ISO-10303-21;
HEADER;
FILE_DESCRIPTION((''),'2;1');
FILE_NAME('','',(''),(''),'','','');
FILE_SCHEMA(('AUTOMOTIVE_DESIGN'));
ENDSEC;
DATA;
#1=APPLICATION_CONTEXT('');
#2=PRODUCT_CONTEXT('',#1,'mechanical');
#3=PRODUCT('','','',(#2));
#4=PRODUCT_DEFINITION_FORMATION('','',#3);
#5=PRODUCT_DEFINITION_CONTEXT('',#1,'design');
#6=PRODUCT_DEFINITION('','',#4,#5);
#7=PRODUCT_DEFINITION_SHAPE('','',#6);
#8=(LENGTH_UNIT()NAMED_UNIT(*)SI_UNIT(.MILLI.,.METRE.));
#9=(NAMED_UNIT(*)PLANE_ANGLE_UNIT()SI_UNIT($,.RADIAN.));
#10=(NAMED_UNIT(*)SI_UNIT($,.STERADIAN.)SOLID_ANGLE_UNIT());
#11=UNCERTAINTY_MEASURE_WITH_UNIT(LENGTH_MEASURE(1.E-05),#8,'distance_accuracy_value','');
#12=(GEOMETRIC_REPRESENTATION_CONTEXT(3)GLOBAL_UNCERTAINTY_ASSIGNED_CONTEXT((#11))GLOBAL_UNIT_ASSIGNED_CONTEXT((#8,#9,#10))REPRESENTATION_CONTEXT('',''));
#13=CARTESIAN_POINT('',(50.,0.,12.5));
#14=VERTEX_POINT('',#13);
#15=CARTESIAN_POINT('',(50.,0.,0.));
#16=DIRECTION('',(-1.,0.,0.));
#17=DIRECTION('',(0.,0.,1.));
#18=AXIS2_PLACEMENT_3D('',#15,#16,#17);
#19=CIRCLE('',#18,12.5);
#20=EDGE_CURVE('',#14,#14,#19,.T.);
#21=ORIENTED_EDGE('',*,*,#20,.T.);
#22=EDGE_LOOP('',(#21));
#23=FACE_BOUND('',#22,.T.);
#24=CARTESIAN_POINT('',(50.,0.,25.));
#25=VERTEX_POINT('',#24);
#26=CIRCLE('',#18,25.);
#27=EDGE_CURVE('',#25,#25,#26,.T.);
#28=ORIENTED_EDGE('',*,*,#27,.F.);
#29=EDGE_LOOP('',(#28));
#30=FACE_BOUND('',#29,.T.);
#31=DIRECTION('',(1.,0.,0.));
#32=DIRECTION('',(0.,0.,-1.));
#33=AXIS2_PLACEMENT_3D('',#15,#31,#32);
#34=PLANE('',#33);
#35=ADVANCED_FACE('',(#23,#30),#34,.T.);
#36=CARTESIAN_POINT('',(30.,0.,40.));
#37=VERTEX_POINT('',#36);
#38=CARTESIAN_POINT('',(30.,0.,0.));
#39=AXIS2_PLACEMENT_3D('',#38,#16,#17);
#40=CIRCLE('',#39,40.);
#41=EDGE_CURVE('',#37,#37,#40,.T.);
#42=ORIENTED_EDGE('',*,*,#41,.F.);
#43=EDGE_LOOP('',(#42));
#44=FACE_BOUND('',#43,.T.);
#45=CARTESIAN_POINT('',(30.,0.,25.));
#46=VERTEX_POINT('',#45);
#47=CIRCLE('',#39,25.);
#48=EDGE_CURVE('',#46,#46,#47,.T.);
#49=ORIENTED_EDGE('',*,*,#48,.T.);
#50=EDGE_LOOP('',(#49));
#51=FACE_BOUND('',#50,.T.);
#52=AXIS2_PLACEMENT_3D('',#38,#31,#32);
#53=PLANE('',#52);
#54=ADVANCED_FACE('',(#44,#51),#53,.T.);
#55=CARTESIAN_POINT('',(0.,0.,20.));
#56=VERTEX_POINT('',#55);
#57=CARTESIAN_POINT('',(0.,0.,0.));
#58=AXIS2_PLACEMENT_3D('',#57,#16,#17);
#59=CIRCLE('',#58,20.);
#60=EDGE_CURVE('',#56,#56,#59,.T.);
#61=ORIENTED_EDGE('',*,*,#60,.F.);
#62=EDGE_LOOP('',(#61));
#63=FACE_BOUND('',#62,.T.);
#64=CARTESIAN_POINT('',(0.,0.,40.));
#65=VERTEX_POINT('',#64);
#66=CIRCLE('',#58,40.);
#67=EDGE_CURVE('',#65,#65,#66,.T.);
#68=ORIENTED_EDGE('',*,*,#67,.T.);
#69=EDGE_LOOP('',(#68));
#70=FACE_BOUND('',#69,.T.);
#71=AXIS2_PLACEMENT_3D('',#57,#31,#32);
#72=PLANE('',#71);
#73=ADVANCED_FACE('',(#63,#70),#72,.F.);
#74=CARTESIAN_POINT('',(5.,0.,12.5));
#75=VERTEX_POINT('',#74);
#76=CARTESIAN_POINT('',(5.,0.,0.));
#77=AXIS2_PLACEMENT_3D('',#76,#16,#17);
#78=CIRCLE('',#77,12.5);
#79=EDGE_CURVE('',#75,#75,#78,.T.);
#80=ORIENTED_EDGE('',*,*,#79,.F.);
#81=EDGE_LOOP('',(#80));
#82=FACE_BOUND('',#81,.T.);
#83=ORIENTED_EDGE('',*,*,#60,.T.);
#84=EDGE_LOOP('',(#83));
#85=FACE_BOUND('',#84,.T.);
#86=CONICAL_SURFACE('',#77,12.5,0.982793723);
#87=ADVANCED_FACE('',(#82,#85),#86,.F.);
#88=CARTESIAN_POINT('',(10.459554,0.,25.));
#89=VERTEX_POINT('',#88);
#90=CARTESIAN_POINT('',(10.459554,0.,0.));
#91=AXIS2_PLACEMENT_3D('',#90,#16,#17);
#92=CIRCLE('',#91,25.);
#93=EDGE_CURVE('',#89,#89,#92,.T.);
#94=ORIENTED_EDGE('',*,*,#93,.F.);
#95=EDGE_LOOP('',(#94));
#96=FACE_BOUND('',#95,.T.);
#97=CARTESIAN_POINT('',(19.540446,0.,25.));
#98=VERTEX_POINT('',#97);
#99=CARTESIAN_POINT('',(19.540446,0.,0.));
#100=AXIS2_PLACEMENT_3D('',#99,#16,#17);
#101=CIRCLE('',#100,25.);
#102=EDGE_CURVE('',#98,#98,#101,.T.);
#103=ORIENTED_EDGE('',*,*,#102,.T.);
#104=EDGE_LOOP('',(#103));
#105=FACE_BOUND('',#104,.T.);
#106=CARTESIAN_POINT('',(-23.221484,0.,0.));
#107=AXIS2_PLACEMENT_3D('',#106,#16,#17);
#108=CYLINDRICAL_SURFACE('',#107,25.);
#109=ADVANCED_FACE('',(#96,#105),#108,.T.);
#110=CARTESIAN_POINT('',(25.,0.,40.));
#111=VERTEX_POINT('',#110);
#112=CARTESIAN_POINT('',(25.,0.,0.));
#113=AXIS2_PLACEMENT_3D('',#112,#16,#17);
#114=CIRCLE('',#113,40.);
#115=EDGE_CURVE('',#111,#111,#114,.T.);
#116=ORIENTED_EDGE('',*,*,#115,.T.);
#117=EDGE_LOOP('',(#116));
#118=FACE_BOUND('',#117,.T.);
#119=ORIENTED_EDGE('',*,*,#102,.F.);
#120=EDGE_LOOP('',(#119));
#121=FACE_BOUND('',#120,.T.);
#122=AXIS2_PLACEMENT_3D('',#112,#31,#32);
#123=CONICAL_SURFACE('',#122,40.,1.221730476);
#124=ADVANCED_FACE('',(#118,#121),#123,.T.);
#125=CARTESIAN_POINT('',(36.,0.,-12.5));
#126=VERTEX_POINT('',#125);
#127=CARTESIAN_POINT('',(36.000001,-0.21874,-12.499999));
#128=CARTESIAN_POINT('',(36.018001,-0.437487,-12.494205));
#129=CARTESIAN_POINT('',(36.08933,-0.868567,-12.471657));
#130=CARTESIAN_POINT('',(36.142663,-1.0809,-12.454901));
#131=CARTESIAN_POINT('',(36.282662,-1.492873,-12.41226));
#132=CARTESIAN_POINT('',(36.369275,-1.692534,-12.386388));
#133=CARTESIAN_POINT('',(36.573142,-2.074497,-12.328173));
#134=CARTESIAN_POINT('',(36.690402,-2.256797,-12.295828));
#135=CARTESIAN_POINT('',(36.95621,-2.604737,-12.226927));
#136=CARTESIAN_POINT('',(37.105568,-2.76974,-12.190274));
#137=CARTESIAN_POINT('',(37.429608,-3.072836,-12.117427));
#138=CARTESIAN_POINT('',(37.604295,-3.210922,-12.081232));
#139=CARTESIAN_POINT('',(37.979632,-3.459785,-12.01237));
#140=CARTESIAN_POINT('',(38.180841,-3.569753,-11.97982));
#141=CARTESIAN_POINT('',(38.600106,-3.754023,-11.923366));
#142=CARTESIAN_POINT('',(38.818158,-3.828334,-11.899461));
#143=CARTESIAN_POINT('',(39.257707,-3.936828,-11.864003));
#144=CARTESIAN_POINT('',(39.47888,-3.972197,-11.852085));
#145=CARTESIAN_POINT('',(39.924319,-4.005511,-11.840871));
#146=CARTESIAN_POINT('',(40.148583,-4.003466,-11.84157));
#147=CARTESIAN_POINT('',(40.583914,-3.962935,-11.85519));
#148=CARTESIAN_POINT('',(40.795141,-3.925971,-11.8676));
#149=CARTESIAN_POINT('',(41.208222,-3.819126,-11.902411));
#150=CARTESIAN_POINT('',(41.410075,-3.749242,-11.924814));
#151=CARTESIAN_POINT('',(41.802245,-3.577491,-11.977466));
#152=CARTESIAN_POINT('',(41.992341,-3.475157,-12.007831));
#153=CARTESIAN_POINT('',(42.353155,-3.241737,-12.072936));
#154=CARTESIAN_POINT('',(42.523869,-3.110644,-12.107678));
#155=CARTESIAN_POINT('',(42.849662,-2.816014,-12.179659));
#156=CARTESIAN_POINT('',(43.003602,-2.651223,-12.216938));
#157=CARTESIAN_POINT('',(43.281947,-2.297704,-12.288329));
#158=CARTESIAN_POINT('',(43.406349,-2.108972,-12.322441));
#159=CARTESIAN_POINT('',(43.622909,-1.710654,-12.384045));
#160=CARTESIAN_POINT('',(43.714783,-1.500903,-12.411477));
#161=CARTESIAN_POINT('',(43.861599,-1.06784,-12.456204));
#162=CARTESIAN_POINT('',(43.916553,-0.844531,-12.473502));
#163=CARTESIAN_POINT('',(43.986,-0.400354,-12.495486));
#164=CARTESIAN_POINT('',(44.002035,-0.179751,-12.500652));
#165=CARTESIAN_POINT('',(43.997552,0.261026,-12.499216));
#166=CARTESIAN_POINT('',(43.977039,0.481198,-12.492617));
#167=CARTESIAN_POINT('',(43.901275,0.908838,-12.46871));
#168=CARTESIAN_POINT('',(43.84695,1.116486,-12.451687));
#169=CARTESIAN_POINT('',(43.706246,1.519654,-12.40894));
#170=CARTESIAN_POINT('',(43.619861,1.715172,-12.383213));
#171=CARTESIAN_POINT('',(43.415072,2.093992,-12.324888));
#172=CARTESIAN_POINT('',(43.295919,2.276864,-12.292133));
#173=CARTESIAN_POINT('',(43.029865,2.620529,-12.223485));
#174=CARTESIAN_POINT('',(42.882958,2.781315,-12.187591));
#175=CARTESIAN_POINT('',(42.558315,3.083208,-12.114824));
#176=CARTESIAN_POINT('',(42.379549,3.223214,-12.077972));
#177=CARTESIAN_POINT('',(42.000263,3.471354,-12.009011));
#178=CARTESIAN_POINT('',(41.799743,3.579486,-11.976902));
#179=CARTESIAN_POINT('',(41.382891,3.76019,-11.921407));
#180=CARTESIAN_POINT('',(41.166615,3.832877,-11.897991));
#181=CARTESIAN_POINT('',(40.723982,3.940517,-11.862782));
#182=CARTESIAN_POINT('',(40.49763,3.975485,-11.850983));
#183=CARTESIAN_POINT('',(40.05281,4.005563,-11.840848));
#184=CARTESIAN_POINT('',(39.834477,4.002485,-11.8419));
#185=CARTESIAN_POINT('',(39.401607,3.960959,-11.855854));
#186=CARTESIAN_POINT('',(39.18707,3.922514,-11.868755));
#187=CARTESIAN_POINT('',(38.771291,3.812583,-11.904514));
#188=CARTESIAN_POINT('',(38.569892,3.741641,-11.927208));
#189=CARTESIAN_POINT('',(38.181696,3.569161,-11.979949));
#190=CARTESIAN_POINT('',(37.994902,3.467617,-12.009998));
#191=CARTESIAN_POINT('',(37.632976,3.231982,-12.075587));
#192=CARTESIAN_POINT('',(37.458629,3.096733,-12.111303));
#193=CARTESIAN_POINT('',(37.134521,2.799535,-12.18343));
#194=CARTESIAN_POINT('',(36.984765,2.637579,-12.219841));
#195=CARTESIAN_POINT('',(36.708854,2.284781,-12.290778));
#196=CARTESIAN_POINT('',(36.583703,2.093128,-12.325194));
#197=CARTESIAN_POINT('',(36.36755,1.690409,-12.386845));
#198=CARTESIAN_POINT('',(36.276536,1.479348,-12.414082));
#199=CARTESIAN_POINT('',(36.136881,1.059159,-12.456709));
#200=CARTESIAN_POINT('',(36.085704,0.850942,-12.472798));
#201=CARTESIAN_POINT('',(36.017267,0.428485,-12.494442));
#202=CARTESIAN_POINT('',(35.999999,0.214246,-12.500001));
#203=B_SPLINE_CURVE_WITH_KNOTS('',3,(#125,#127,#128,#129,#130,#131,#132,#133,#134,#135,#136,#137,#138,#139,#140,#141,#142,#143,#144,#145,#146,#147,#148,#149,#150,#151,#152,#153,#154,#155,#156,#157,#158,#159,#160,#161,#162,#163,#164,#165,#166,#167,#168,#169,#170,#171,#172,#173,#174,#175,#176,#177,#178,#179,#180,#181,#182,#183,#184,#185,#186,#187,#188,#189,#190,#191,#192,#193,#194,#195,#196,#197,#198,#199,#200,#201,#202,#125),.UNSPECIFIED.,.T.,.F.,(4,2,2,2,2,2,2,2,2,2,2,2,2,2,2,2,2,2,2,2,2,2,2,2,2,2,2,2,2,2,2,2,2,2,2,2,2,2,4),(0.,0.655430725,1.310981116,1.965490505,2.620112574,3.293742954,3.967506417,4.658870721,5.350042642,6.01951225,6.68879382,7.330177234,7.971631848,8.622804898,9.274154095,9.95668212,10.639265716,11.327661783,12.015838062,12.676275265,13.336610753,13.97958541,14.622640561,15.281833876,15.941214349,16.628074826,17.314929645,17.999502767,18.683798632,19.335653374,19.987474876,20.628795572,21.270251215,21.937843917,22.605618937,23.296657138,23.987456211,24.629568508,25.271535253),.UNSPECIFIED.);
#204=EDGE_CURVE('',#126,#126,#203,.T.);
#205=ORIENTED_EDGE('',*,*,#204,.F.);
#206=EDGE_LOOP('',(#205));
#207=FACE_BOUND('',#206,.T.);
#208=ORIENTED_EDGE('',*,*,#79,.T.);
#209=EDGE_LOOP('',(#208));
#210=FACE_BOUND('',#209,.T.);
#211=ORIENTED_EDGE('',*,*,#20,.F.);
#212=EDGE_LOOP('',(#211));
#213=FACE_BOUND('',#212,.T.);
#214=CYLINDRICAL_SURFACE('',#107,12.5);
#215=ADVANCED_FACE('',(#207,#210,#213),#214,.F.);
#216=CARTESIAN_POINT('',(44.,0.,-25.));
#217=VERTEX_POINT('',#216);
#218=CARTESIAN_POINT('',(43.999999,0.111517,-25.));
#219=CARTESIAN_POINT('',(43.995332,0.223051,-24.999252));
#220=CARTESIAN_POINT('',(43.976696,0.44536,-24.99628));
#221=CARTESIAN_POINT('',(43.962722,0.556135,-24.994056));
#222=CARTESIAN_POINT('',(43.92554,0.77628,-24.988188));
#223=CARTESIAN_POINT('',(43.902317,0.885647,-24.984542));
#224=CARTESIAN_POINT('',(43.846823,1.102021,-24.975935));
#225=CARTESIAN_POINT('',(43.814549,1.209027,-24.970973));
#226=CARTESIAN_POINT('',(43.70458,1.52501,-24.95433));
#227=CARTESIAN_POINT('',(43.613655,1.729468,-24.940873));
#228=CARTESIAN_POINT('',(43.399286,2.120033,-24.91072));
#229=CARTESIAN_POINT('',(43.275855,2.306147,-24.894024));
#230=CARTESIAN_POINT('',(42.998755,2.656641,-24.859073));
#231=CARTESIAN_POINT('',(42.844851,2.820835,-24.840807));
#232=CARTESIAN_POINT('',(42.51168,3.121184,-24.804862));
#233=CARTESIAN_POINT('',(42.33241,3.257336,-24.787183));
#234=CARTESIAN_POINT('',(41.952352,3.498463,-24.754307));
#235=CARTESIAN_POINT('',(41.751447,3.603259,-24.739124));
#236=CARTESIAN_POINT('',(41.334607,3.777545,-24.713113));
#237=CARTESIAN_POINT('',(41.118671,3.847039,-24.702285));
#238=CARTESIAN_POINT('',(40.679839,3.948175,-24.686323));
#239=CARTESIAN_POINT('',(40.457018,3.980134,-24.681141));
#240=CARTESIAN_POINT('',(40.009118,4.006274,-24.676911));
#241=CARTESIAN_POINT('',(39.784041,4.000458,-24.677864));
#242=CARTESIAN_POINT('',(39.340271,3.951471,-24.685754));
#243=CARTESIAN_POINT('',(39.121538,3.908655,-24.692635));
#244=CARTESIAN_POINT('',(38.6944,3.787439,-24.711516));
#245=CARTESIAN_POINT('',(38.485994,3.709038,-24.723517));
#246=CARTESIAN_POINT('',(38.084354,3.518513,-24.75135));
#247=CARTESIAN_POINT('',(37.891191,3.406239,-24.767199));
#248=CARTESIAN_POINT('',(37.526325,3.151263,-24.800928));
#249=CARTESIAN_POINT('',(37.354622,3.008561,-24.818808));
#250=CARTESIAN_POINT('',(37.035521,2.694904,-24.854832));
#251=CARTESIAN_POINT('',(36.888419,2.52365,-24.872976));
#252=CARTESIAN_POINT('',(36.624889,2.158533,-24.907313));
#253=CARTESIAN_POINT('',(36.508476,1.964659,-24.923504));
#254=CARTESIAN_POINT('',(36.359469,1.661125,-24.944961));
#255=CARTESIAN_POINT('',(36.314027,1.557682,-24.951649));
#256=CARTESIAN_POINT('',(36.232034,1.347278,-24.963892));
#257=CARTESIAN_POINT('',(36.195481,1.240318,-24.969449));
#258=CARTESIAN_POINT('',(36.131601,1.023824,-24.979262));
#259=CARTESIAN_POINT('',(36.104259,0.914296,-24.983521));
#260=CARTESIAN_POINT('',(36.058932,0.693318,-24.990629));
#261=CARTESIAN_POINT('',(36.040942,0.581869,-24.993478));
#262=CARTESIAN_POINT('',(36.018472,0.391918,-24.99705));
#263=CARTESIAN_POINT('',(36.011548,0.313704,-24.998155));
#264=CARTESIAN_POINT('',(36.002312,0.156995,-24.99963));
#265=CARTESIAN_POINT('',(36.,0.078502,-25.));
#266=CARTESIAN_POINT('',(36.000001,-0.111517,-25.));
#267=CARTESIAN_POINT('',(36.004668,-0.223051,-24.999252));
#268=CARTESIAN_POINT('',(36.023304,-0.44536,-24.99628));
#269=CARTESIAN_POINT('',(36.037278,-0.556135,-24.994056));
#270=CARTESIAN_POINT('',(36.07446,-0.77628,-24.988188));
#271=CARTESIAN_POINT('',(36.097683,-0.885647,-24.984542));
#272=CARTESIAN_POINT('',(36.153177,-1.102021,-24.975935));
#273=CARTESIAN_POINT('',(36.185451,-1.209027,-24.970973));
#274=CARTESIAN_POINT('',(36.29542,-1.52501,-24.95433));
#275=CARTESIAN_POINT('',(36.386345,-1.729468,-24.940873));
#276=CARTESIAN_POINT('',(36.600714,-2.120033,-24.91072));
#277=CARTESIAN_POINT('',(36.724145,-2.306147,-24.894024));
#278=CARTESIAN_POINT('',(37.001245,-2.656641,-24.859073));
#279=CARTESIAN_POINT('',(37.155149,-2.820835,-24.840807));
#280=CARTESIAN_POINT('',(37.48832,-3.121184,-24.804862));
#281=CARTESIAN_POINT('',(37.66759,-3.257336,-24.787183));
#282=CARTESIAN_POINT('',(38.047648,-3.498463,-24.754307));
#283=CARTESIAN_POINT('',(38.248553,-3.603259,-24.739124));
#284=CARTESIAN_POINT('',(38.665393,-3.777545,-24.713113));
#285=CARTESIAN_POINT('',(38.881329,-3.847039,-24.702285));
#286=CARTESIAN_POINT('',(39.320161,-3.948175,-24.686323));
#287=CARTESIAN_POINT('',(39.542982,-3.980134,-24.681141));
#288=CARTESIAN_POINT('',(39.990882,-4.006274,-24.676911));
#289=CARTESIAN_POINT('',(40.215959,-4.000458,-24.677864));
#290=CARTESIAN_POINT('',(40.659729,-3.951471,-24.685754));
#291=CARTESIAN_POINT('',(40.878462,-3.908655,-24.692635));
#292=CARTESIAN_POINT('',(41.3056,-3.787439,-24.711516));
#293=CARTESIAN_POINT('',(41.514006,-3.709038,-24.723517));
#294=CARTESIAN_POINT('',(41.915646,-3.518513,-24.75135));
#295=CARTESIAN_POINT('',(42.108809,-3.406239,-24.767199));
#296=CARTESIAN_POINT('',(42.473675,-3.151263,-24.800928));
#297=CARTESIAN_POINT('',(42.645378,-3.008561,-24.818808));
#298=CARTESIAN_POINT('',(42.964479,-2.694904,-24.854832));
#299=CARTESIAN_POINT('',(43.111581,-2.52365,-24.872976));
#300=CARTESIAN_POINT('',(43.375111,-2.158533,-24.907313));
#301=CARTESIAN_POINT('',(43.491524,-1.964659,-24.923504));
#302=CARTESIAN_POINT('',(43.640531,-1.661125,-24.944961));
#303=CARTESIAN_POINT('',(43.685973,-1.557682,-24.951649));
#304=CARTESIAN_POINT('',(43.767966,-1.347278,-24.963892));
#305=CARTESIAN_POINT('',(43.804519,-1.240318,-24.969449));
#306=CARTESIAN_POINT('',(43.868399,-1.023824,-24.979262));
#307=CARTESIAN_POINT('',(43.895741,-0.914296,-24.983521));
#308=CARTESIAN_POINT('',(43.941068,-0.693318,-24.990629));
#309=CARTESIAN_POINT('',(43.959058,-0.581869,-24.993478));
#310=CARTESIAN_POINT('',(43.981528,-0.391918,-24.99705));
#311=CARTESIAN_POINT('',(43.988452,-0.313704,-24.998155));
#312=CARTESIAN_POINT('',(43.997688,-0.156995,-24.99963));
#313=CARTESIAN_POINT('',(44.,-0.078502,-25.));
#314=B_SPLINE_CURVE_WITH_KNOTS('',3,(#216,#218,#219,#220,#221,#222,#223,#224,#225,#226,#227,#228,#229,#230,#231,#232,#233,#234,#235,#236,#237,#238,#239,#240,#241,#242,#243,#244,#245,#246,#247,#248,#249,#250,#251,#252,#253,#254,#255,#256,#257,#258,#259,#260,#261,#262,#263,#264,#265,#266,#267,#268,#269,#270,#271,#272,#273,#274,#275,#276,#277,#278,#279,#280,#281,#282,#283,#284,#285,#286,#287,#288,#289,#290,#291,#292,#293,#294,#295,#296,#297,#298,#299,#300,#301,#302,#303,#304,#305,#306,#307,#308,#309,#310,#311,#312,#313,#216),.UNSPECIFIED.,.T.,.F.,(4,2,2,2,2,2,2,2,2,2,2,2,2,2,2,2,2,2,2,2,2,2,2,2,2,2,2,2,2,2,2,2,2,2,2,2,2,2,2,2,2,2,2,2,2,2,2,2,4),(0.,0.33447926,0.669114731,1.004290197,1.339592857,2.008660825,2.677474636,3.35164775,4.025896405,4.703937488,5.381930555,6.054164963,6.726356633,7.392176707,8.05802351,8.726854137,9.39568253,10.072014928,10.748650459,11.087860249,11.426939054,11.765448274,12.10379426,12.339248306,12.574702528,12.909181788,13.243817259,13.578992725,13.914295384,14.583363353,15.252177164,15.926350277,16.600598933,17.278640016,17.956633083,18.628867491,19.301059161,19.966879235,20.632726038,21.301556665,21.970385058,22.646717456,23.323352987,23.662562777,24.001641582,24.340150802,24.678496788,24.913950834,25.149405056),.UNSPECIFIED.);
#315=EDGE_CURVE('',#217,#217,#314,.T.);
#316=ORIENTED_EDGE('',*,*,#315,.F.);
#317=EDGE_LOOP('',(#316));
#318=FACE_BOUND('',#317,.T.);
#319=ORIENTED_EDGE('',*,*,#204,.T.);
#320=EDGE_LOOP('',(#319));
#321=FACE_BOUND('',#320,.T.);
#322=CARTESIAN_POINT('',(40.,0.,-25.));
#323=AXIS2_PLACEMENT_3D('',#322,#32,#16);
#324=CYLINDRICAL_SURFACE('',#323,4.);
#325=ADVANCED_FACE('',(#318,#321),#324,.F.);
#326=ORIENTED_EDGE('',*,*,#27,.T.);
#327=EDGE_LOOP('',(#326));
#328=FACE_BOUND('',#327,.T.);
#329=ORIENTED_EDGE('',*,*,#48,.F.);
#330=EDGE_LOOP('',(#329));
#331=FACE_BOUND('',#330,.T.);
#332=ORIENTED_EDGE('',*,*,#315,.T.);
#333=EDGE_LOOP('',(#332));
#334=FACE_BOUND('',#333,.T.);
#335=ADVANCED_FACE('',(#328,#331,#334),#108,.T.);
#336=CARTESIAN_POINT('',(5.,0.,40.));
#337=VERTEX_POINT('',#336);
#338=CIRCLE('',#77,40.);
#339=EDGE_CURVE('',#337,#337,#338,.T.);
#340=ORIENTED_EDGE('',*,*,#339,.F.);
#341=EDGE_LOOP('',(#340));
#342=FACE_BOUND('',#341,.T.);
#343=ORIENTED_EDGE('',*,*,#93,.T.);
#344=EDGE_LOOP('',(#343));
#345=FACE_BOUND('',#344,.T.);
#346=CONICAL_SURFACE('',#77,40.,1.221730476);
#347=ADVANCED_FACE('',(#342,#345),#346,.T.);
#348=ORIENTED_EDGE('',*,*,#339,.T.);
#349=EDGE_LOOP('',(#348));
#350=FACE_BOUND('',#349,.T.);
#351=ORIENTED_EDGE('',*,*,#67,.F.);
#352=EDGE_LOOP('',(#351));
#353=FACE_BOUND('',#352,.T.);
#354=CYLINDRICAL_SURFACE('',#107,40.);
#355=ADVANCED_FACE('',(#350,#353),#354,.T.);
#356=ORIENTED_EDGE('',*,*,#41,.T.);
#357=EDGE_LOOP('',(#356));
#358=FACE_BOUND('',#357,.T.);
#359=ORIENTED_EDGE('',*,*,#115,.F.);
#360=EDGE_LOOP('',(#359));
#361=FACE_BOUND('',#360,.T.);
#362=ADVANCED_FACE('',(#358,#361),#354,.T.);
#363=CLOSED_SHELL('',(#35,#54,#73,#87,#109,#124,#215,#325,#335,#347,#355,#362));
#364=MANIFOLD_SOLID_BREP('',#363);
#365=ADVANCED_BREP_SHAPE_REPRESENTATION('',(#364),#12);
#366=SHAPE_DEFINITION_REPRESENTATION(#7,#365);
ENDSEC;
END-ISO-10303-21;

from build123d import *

# Parameters (mm, degrees)
SKETCH1_W          = 6
SKETCH1_H          = 12.5
SKETCH1_W_2        = 8
SKETCH7_W          = 10
SKETCH7_H          = 12.5
CUT_EXTRUDE1_REACH = 95.493
SKETCH8_R          = 4
CUT_EXTRUDE2_REACH = 87.277
CUT_EXTRUDE3_DEPTH = 20


with BuildPart() as part:
    # Sketch1 → Revolve1 (revolve)
    with BuildSketch(Plane(origin=(0, 0, 0), x_dir=(1, 0, 0), z_dir=(0, 1, 0)), mode=Mode.PRIVATE) as revolve1_sk:
        Polygon((5, 12.5), (0, 20), (0, 40), (5, 40), (10.459553514, 25), (19.540446486, 25), (25, 40), (30, 40), (30, 25), (36, 25), (36, 12.5), align=None)
        with Locations((47, 18.75)):
            Rectangle(SKETCH1_W, SKETCH1_H)
        with Locations((40, 18.75)):
            Rectangle(SKETCH1_W_2, SKETCH1_H)
    revolve(revolve1_sk.sketch.rotate(Axis((-23.221484356, 0, 0), (1, 0, 0)), 180), axis=Axis((-23.221484356, 0, 0), (1, 0, 0)))

    # Sketch7 → Revolve-Thin2 (revolve)
    with BuildSketch(Plane(origin=(0, 0, 0), x_dir=(1, 0, 0), z_dir=(0, 1, 0))):
        with Locations((31, 18.75)):
            Rectangle(SKETCH7_W, SKETCH7_H)
    revolve(axis=Axis((40, 0, -25), (0, 0, 1)))

    # Sketch8 → Cut-Extrude1 (cut, up to next)
    with BuildSketch(Plane(origin=(0, 0, -25), x_dir=(-1, 0, 0), z_dir=(0, 0, -1)), mode=Mode.PRIVATE) as cut_extrude1_sk1:
        with Locations((-40, 0)):
            Circle(SKETCH8_R)
    cut_extrude1_tool1 = extrude(cut_extrude1_sk1.sketch, amount=-CUT_EXTRUDE1_REACH, mode=Mode.PRIVATE) & part.part
    add(cut_extrude1_tool1.solids().sort_by_distance((40, 0, -25))[0], mode=Mode.SUBTRACT)

    # Sketch9 → Cut-Extrude2 (cut, up to next)
    with BuildSketch(Plane.XY.offset(-12.5), mode=Mode.PRIVATE) as cut_extrude2_sk1:
        with BuildLine():
            Line((50, 9.797958971), (50, -9.797958971))
            ThreePointArc((50, -9.797958971), (54, 0), (50, 9.797958971))
        make_face()
    cut_extrude2_tool1 = extrude(cut_extrude2_sk1.sketch, amount=-CUT_EXTRUDE2_REACH, mode=Mode.PRIVATE) & part.part
    add(cut_extrude2_tool1.solids().sort_by_distance((51.621368, 0, -12.5))[0], mode=Mode.SUBTRACT)

    # Sketch12 → Cut-Extrude3 (cut)
    with BuildSketch(Plane(origin=(50, 0, 0), x_dir=(0, 0, -1), z_dir=(1, 0, 0))):
        with BuildLine():
            Line((25, 9.797958971), (25, 14))
            Line((25, 14), (20.712315177, 14))
            ThreePointArc((20.712315177, 14), (21.956910341, 11.953831531), (23, 9.797958971))
            Line((23, 9.797958971), (25, 9.797958971))
        make_face()
        with BuildLine():
            Line((25, 0), (25, 9.797958971))
            Line((25, 9.797958971), (23, 9.797958971))
            ThreePointArc((23, 9.797958971), (24.494897428, 5), (25, 0))
        make_face()
        with BuildLine():
            ThreePointArc((23, -9.797958971), (21.956910341, -11.953831531), (20.712315177, -14))
            Line((20.712315177, -14), (25, -14))
            Line((25, -14), (25, -9.797958971))
            Line((25, -9.797958971), (23, -9.797958971))
        make_face()
        with BuildLine():
            Line((25, -9.797958971), (25, 0))
            ThreePointArc((25, 0), (24.494897428, -5), (23, -9.797958971))
            Line((23, -9.797958971), (25, -9.797958971))
        make_face()
    extrude(amount=-CUT_EXTRUDE3_DEPTH, mode=Mode.SUBTRACT)


solid = part.part
